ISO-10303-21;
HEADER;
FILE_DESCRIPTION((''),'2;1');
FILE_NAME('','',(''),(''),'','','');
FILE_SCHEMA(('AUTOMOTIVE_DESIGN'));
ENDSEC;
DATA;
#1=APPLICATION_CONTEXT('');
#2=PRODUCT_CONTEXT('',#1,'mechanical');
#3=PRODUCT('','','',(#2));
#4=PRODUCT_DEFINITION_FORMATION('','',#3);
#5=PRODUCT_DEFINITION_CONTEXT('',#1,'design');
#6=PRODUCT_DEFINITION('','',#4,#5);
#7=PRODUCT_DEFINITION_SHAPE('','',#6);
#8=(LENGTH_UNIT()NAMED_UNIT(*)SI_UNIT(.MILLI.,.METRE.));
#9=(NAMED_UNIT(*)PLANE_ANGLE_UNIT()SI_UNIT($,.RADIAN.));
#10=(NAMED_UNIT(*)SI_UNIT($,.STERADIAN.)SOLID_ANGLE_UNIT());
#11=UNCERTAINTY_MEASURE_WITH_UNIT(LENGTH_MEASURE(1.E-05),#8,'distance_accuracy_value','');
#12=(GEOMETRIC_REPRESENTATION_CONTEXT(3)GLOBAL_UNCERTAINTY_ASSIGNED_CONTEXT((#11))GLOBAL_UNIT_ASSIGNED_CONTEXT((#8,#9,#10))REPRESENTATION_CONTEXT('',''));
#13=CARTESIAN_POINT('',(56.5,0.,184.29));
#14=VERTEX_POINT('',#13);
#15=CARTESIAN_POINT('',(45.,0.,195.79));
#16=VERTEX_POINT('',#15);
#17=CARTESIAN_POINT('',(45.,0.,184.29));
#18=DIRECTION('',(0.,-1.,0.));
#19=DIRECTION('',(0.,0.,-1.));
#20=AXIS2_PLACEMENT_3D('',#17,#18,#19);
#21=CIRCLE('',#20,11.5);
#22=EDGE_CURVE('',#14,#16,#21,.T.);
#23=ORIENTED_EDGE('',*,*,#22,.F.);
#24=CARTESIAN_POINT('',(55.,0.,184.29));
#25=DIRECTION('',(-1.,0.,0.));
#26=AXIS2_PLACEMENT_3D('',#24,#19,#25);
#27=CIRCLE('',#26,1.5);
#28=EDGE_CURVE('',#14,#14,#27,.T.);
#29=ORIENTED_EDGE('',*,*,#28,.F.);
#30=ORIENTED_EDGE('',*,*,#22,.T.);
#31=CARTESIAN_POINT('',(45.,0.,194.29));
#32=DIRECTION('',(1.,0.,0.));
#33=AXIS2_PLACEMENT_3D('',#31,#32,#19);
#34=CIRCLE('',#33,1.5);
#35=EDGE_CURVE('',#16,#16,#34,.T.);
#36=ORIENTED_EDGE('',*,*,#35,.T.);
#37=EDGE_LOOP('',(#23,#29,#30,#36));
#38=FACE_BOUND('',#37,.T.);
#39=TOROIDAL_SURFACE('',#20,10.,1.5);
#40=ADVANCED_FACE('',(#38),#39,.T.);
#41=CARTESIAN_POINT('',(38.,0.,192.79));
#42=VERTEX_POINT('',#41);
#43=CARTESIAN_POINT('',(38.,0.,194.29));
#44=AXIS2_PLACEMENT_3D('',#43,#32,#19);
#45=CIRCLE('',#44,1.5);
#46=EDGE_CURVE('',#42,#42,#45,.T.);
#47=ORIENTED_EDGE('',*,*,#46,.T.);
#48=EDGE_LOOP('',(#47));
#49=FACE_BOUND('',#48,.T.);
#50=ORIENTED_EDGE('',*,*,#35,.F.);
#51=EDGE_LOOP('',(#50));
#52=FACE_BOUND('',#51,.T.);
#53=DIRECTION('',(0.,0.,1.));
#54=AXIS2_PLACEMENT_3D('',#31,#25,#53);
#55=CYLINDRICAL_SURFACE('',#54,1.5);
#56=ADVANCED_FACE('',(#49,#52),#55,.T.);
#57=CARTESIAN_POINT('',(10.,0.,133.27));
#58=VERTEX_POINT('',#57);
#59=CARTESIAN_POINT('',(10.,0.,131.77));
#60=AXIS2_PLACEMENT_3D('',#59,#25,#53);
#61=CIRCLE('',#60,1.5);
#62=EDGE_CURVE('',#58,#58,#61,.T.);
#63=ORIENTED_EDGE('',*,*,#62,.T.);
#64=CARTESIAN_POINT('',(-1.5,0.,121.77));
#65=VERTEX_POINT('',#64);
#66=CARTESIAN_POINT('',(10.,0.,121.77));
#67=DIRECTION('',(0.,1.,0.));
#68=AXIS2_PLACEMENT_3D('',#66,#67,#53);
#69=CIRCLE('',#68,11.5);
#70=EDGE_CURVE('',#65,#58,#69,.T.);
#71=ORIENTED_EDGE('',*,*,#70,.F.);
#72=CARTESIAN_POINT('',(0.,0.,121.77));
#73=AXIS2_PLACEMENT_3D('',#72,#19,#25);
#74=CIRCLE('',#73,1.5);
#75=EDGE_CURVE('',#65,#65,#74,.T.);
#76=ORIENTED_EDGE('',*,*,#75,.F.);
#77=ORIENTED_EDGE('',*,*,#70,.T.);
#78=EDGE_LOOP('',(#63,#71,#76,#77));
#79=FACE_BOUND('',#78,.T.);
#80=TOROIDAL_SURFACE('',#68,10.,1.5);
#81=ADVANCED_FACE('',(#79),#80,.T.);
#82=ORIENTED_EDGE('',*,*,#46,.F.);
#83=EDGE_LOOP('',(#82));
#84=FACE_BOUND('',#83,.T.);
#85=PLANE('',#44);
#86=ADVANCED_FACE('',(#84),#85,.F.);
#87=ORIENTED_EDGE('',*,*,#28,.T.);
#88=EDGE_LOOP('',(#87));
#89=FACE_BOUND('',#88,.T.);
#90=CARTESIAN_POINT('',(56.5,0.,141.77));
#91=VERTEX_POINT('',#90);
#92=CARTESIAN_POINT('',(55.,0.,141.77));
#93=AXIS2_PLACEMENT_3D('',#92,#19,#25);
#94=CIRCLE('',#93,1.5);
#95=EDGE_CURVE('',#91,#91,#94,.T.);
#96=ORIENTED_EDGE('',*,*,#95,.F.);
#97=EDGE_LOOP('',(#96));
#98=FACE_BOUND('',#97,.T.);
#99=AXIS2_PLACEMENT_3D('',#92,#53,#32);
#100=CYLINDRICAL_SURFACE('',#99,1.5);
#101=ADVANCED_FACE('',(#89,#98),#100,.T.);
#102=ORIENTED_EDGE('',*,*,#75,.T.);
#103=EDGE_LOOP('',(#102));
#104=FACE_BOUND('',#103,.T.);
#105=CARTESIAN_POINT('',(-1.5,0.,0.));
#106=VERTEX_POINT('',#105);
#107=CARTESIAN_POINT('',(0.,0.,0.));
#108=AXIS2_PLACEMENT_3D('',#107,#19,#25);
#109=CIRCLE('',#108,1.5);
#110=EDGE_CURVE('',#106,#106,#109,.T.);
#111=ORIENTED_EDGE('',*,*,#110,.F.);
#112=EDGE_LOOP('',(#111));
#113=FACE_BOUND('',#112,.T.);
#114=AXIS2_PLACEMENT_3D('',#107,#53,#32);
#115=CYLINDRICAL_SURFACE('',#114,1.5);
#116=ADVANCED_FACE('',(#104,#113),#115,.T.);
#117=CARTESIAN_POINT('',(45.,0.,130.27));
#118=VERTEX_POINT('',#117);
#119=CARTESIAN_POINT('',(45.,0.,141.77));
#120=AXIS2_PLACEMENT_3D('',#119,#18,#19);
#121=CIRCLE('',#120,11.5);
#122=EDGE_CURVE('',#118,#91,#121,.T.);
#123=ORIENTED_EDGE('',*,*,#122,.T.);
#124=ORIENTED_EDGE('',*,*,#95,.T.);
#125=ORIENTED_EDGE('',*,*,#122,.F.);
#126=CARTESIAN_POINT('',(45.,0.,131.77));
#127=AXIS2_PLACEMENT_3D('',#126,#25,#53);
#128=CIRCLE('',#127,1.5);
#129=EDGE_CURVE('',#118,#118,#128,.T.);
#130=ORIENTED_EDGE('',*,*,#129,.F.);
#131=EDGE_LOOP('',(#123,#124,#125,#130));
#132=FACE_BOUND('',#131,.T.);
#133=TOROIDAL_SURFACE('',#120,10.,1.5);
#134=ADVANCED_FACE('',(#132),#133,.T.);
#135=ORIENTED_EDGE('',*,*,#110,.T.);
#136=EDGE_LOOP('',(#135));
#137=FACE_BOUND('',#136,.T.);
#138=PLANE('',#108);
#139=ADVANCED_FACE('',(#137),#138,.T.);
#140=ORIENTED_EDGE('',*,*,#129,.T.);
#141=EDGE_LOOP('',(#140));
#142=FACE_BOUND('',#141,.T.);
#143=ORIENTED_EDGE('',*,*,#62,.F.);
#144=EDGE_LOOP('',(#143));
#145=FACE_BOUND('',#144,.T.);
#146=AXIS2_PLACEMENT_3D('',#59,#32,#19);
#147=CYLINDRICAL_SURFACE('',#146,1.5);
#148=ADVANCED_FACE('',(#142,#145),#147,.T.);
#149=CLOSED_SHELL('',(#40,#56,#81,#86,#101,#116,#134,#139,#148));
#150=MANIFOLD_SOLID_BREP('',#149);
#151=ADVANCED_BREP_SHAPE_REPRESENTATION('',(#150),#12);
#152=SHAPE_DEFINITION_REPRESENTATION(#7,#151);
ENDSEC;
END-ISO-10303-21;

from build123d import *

# Parameters (mm, degrees)
BARRER2_PROFILE_R = 1.5


with BuildPart() as part:
    # Barrer2: sweep along a path in Croquis1
    with BuildLine(Plane(origin=(0, 0, 0), x_dir=(1, 0, 0), z_dir=(0, 1, 0))) as barrer2_path:
        Line((0, 0), (0, -121.77))
        ThreePointArc((0, -121.77), (2.928932188, -128.841067812), (10, -131.77))
        Line((10, -131.77), (45, -131.77))
        ThreePointArc((45, -131.77), (52.071067812, -134.698932188), (55, -141.77))
        Line((55, -141.77), (55, -184.29))
        ThreePointArc((55, -184.29), (52.071067812, -191.361067812), (45, -194.29))
        Line((45, -194.29), (38, -194.29))
    # Barrer2 profile (on start of the path) → Barrer2 (sweep)
    with BuildSketch(Plane.XY):
        Circle(BARRER2_PROFILE_R)
    sweep(path=barrer2_path.line)


solid = part.part
